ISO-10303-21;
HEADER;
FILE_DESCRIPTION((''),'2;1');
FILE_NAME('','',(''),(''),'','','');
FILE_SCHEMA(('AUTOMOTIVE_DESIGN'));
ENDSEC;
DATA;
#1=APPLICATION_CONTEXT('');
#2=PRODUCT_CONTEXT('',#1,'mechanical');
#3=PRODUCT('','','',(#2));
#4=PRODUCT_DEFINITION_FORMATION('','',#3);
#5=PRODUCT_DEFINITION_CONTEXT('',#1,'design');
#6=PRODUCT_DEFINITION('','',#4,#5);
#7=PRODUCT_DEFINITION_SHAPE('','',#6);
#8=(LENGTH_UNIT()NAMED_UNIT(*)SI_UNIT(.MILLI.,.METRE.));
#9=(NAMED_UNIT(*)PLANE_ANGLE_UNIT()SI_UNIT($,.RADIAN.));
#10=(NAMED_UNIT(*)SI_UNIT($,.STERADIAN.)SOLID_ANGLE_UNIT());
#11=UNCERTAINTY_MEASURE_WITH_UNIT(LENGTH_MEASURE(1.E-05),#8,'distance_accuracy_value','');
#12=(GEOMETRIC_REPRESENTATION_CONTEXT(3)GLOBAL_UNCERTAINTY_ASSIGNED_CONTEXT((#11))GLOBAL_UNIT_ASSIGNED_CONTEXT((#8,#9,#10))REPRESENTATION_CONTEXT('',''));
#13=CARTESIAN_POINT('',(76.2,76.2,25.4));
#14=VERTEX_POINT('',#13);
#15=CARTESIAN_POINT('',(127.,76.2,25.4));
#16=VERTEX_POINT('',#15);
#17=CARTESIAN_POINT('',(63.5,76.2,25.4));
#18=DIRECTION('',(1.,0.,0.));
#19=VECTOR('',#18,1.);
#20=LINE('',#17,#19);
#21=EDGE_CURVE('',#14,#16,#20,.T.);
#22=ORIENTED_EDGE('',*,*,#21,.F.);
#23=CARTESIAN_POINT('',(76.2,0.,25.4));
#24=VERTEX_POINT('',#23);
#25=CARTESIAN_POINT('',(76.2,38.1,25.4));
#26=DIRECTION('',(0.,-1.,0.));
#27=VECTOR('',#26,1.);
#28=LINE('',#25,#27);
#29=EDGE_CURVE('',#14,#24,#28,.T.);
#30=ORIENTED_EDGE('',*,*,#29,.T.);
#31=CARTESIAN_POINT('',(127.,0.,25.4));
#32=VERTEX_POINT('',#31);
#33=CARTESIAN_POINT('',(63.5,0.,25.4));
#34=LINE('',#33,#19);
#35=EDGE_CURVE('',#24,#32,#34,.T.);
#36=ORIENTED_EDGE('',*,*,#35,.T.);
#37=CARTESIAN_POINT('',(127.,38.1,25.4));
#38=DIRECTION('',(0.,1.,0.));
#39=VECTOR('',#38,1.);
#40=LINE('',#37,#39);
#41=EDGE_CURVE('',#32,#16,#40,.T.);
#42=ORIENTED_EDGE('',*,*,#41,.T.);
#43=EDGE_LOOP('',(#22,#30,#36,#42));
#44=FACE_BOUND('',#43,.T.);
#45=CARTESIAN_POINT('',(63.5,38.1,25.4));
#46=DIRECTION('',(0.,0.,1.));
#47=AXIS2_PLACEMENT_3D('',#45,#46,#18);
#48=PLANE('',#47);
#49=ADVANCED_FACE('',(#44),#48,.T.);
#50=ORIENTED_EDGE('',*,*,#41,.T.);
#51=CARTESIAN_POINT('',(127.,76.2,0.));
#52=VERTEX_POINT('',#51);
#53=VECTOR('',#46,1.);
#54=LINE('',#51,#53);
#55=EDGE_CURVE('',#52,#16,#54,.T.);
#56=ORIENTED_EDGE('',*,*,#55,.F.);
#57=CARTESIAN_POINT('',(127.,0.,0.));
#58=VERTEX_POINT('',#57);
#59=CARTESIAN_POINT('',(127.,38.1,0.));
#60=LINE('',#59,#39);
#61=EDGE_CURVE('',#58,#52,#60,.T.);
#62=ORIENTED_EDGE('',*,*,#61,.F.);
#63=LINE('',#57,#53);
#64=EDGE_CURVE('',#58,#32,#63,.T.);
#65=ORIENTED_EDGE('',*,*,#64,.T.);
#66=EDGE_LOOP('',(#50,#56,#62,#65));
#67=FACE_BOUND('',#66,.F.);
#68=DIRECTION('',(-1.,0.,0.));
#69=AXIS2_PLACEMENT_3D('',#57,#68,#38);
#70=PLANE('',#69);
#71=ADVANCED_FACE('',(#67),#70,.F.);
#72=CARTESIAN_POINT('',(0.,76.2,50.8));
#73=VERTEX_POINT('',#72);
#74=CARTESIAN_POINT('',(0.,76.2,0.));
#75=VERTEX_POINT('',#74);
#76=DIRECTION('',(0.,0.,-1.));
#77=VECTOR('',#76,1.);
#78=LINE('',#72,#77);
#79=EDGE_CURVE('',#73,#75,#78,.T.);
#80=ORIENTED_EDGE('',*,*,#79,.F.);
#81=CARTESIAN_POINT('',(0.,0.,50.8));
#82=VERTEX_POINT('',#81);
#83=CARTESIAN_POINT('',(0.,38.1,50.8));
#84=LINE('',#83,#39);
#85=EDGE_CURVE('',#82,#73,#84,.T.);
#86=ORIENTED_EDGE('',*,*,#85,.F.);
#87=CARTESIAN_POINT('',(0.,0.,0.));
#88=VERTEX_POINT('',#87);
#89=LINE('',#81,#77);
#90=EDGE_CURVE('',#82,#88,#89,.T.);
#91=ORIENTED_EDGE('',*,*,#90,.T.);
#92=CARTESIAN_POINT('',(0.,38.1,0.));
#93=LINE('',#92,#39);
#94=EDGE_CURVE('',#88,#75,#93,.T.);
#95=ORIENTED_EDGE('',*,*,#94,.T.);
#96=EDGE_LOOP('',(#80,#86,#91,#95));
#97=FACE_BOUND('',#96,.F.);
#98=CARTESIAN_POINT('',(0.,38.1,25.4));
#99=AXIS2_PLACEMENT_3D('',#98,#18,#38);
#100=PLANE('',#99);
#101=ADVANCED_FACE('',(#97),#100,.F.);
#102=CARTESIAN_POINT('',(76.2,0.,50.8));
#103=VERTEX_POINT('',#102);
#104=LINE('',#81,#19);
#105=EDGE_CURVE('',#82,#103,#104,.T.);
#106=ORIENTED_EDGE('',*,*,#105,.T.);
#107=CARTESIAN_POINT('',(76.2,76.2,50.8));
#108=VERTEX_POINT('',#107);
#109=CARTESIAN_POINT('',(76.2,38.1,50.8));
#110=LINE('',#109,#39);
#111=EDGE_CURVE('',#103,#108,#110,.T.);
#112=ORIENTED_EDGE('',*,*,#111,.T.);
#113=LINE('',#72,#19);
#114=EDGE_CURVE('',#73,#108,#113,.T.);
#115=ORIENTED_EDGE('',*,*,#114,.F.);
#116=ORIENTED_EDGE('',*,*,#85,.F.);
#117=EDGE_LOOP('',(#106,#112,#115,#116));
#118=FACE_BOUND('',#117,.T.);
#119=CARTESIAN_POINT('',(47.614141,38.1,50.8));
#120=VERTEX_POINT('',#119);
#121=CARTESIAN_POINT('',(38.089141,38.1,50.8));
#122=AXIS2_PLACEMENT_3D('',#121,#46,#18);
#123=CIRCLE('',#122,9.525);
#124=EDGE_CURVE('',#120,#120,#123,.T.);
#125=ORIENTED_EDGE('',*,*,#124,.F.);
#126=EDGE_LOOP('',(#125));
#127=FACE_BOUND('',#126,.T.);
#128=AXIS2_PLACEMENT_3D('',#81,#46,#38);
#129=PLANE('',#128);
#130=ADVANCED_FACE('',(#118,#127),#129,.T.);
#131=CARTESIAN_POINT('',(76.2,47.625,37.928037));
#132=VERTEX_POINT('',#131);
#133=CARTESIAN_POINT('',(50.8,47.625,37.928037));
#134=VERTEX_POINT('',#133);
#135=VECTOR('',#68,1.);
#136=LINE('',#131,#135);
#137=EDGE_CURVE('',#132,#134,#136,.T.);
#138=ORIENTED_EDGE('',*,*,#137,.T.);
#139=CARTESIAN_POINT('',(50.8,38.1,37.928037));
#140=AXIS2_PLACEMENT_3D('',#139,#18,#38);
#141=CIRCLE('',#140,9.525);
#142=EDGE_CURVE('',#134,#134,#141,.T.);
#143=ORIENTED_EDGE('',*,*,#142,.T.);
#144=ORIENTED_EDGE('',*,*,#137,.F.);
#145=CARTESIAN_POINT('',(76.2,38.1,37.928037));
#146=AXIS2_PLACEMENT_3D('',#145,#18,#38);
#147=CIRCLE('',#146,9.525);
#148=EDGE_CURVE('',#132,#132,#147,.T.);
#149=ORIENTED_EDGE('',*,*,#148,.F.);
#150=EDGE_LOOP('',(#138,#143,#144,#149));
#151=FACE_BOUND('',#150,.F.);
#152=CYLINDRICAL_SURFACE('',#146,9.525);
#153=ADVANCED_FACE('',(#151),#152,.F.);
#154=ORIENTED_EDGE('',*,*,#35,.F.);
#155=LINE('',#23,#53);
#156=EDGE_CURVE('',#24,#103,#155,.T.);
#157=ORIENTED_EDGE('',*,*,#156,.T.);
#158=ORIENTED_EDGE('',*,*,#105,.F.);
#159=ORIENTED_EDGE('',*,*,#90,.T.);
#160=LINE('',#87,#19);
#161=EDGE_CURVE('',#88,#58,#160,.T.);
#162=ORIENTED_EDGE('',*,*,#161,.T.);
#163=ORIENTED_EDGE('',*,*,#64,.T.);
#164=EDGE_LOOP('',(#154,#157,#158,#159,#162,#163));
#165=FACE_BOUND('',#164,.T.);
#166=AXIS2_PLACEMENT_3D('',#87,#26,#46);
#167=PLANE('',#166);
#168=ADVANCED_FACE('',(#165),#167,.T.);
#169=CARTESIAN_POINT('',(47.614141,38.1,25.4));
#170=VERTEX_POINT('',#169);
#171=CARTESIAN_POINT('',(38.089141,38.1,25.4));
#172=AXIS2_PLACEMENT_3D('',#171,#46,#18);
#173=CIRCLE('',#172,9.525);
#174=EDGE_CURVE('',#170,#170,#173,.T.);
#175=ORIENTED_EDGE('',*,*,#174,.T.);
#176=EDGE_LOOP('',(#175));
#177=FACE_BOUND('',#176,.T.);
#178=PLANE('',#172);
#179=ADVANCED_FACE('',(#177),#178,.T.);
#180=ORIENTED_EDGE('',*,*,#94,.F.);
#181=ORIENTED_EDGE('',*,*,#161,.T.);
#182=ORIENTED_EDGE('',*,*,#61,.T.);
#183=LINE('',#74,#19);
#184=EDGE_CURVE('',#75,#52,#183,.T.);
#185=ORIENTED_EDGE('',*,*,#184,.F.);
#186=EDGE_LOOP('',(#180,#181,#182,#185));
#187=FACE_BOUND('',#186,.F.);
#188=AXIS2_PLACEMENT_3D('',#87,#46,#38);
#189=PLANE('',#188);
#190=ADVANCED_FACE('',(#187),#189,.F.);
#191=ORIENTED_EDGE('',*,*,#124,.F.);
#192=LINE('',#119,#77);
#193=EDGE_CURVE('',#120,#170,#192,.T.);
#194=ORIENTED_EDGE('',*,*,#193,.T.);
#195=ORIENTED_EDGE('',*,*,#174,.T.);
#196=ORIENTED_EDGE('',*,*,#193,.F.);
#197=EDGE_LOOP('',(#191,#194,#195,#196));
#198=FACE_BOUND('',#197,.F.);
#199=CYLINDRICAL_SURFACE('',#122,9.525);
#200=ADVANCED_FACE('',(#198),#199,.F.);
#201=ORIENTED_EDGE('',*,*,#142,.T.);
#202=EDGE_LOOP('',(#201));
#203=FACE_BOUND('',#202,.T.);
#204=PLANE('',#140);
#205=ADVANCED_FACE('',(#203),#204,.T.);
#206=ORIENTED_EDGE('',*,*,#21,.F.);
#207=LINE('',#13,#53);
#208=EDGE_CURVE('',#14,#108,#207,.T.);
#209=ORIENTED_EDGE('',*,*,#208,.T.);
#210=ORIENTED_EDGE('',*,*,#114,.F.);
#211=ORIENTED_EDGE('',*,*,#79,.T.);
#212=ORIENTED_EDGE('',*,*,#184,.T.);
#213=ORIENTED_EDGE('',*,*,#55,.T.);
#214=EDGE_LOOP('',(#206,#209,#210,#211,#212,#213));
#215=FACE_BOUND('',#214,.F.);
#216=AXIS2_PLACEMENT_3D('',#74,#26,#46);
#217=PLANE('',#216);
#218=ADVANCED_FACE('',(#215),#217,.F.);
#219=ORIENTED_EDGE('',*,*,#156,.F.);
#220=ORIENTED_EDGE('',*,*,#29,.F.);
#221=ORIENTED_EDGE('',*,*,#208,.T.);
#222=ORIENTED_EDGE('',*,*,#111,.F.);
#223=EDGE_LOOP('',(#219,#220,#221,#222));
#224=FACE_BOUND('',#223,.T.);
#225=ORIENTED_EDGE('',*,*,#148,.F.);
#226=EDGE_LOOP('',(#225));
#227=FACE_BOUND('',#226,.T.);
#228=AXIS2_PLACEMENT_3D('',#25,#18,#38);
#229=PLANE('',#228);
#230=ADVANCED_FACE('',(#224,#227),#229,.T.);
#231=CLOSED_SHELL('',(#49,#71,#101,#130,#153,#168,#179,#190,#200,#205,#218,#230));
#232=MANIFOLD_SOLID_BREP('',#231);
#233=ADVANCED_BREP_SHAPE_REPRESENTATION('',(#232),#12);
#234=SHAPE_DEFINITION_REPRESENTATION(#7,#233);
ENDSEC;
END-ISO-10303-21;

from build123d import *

# Parameters (mm, degrees)
F2_W     = 76.2
F2_H     = 50.8
F3_DEPTH = 76.2
F1_W     = 127
F1_H     = 76.2
F4_DEPTH = 25.4
F5_R     = 9.525
F7_DEPTH = 25.4
F6_R     = 9.525
F9_DEPTH = 25.4


with BuildPart() as f3:
    # F2 (on Right) → F3 (new body)
    with BuildSketch(Plane.YZ):
        with Locations((38.1, 25.4)):
            Rectangle(F2_W, F2_H)
    extrude(amount=F3_DEPTH)

    # F1 (on Top) → F4 (join)
    with BuildSketch(Plane.XY):
        with Locations((63.5, 38.1)):
            Rectangle(F1_W, F1_H)
    extrude(amount=F4_DEPTH)

    # F5 (on face) → F7 (cut)
    with BuildSketch(Plane.XY.offset(50.8)):
        with Locations((38.089141, 38.1)):
            Circle(F5_R)
    extrude(amount=-F7_DEPTH, mode=Mode.SUBTRACT)

    # F6 (on face) → F9 (cut)
    with BuildSketch(Plane.YZ.offset(76.2)):
        with Locations((38.1, 37.928037)):
            Circle(F6_R)
    extrude(amount=-F9_DEPTH, mode=Mode.SUBTRACT)


solid = f3.part
